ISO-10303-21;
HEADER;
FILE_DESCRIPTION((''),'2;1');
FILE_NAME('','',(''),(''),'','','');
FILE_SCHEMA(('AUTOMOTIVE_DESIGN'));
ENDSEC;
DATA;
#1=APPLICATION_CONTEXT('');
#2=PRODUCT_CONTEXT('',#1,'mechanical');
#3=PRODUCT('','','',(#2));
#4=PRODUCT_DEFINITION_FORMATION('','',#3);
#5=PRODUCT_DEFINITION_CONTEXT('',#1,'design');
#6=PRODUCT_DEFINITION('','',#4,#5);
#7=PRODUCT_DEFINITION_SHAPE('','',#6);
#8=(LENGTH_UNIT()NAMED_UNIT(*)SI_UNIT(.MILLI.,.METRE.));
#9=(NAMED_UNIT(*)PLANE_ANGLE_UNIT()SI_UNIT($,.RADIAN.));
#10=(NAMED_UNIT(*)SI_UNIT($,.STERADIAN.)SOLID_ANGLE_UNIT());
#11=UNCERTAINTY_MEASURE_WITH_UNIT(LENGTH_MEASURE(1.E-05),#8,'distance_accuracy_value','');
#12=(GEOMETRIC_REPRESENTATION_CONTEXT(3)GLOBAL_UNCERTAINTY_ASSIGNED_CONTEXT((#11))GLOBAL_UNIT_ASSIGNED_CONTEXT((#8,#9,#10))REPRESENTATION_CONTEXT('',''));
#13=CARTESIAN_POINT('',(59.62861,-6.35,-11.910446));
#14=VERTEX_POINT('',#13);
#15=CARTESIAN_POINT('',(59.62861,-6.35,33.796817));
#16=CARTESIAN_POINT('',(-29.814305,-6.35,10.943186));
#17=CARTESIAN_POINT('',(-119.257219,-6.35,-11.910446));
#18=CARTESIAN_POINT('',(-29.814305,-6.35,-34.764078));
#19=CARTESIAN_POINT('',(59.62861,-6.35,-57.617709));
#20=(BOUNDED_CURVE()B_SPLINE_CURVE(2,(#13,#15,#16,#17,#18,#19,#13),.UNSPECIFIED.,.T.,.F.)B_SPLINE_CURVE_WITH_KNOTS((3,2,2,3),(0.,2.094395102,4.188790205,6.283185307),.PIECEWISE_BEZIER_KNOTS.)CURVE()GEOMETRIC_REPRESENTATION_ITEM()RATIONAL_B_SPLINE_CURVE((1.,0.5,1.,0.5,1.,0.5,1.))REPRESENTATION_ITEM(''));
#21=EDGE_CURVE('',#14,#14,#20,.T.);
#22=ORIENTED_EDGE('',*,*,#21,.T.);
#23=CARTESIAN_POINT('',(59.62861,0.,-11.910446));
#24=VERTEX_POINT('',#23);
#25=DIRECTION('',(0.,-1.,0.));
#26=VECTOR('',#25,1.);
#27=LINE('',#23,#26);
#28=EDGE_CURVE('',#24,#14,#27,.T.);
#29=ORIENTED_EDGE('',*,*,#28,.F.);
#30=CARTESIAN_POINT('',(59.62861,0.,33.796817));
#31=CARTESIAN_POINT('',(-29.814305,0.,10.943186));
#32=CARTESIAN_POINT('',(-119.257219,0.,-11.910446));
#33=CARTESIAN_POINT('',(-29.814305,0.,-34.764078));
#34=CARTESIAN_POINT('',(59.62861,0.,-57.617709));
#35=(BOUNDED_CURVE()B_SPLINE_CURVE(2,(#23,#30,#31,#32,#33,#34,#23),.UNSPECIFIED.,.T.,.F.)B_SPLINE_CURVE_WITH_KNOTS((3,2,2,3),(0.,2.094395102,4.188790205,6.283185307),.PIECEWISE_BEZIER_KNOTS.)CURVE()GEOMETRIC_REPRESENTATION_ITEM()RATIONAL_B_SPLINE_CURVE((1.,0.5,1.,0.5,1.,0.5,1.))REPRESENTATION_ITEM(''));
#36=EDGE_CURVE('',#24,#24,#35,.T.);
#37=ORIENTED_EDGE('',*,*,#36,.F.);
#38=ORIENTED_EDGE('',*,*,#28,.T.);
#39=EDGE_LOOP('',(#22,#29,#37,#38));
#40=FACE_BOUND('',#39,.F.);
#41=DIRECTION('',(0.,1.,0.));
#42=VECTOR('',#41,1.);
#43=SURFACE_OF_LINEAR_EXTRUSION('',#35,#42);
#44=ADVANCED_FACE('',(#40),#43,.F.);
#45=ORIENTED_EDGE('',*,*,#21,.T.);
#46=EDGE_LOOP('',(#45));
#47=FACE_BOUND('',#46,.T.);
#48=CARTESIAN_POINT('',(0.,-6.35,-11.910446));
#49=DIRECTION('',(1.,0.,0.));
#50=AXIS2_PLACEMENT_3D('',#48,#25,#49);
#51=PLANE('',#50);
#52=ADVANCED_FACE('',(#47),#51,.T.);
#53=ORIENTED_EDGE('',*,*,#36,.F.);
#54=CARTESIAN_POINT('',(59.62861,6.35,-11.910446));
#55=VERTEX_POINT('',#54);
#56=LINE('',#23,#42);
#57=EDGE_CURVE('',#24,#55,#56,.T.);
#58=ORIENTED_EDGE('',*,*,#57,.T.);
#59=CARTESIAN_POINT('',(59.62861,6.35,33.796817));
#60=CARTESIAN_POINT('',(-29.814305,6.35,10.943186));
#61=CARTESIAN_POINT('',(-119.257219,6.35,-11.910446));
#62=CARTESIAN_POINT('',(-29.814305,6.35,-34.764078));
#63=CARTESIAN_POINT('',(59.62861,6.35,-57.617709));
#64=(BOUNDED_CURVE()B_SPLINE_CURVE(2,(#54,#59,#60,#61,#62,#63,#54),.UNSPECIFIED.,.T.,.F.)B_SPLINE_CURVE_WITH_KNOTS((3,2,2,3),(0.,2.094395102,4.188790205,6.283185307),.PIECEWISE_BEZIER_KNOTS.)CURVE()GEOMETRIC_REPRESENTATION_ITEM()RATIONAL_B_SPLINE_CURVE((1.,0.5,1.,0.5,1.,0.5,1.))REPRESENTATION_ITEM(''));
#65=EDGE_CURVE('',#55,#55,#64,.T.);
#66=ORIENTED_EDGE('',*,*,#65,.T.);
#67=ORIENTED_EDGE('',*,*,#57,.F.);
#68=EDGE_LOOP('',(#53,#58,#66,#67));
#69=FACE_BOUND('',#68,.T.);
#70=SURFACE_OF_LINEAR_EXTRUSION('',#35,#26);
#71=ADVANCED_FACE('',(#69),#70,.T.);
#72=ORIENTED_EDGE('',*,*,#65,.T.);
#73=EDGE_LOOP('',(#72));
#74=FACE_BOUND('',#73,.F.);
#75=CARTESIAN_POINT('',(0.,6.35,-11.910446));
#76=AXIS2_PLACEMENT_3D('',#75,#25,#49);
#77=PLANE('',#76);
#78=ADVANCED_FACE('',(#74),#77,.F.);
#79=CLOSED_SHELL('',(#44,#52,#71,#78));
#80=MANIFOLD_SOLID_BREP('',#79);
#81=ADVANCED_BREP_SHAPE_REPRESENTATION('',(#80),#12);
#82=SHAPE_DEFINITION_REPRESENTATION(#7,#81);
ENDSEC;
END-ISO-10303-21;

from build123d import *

# Parameters (mm, degrees)
F1_DEPTH = 6.35
F2_DEPTH = 6.35


with BuildPart() as f1:
    # F0 (on Front) → F1 (new body)
    with BuildSketch(Plane.XZ):
        with BuildLine():
            add(Edge.make_bspline(
                [(59.6286095679, -11.9104459882), (59.6286095679, 33.7968172035), (-29.8143047839, 10.9431856076), (-119.2572191358, -11.9104459882), (-29.8143047839, -34.764077584), (59.6286095679, -57.6177091798), (59.6286095679, -11.9104459882)],
                knots=[0, 0, 0, 2.0943951024, 2.0943951024, 4.1887902048, 4.1887902048, 6.2831853072, 6.2831853072, 6.2831853072], degree=2, weights=[1, 0.5, 1, 0.5, 1, 0.5, 1]))
        make_face()
    extrude(amount=F1_DEPTH)

    # F1_face (on face) + F0 (on Front) → F2 (join)
    with BuildSketch(Plane(origin=(0.3166698599, -6.35, -11.9104459882), x_dir=(1, 0, 0), z_dir=(0, -1, 0))):
        with BuildLine():
            add(Edge.make_bspline(
                [(59.3119397079, 0), (59.3119397079, 45.7072631916), (-30.1309746439, 22.8536315958), (-119.5738889957, 0), (-30.1309746439, -22.8536315958), (59.3119397079, -45.7072631916), (59.3119397079, 0)],
                knots=[0, 0, 0, 2.0943951024, 2.0943951024, 4.1887902048, 4.1887902048, 6.2831853072, 6.2831853072, 6.2831853072], degree=2, weights=[1, 0.5, 1, 0.5, 1, 0.5, 1]))
        make_face()
    with BuildSketch(Plane.XZ):
        with BuildLine():
            add(Edge.make_bspline(
                [(59.6286095679, -11.9104459882), (59.6286095679, 33.7968172035), (-29.8143047839, 10.9431856076), (-119.2572191358, -11.9104459882), (-29.8143047839, -34.764077584), (59.6286095679, -57.6177091798), (59.6286095679, -11.9104459882)],
                knots=[0, 0, 0, 2.0943951024, 2.0943951024, 4.1887902048, 4.1887902048, 6.2831853072, 6.2831853072, 6.2831853072], degree=2, weights=[1, 0.5, 1, 0.5, 1, 0.5, 1]))
        make_face()
    extrude(amount=-F2_DEPTH)


solid = f1.part
